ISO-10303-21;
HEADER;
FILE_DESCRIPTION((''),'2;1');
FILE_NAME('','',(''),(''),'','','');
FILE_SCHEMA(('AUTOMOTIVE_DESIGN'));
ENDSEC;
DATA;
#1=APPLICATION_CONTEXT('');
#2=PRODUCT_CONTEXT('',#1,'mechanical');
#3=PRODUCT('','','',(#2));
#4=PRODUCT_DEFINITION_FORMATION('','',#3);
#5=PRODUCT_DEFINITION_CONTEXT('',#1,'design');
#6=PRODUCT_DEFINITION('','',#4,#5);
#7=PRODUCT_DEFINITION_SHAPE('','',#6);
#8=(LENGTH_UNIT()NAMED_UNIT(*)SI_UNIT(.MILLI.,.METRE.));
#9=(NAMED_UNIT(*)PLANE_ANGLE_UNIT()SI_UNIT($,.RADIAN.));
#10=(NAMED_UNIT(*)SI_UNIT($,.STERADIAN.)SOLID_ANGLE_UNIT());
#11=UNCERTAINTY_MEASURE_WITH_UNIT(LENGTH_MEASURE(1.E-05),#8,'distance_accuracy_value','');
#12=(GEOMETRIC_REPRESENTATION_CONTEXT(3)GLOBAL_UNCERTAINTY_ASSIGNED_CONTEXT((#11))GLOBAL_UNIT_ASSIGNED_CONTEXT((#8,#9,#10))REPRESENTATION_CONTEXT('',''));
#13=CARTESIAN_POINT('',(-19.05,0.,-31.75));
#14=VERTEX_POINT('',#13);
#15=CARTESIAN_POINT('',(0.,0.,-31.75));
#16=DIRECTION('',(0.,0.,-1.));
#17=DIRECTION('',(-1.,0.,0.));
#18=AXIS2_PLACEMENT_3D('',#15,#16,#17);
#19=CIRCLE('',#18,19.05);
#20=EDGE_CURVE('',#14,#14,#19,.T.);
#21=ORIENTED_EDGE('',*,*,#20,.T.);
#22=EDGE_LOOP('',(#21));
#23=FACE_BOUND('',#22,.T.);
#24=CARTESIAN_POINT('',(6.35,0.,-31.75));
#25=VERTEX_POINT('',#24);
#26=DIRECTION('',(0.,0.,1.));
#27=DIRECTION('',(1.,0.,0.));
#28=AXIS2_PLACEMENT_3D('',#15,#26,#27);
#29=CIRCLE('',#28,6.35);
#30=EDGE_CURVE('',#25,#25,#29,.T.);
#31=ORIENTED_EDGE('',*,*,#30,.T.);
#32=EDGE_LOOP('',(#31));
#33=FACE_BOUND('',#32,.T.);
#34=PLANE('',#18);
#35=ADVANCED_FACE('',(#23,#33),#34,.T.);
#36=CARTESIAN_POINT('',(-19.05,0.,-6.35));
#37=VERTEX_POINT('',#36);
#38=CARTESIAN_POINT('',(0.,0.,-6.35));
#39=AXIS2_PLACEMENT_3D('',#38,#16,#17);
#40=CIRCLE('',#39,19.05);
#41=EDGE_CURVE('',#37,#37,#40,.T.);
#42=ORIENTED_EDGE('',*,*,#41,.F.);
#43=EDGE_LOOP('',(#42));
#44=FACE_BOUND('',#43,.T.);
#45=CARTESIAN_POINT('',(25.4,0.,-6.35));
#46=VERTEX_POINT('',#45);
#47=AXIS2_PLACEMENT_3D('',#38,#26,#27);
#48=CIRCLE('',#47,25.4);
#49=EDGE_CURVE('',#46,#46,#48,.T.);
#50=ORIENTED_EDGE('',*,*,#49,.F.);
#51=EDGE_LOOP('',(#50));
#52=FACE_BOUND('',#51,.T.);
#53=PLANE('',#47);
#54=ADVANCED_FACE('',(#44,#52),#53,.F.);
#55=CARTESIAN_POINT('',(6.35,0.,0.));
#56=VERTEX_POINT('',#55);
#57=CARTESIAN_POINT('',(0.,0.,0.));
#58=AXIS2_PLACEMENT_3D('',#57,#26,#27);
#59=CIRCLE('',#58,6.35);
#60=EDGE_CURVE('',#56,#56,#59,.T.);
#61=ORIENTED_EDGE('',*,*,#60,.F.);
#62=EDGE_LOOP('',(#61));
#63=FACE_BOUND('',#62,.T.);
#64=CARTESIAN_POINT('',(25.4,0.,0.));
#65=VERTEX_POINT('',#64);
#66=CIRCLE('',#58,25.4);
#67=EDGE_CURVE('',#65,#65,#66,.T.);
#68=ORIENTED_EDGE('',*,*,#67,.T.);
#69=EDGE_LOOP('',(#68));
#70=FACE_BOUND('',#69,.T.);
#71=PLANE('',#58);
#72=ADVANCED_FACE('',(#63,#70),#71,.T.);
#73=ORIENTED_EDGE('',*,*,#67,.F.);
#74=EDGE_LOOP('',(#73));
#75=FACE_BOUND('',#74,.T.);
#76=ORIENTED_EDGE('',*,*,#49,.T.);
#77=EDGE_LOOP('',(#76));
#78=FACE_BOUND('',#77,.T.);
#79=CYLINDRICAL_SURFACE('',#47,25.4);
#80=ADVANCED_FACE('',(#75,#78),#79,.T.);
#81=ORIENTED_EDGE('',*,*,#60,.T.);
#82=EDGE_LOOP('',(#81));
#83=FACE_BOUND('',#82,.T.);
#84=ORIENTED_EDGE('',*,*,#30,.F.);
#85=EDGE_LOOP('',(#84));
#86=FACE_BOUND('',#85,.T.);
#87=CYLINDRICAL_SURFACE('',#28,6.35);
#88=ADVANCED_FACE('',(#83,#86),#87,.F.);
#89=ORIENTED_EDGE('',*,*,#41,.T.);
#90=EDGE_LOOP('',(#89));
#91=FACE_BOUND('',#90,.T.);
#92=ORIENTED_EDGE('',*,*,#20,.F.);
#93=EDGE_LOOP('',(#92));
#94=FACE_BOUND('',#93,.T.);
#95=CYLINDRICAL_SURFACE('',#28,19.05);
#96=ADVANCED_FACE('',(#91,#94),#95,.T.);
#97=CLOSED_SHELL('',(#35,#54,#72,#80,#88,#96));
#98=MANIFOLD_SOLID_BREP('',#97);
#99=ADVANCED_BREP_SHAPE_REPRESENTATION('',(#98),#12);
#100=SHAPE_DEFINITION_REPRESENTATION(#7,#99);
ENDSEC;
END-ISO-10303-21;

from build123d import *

# Parameters (mm, degrees)
SKETCH1_R           = 25.4
BOSS_EXTRUDE2_DEPTH = 6.35
SKETCH2_R           = 19.05
BOSS_EXTRUDE3_DEPTH = 25.4
SKETCH3_R           = 6.35
CUT_EXTRUDE2_DEPTH  = 48.941448664


with BuildPart() as part:
    # Sketch1 → Boss-Extrude2 (new body)
    with BuildSketch(Plane.XY):
        Circle(SKETCH1_R)
    extrude(amount=-BOSS_EXTRUDE2_DEPTH)

    # Sketch2 → Boss-Extrude3 (add)
    with BuildSketch(Plane(origin=(0, 0, -6.35), x_dir=(-1, 0, 0), z_dir=(0, 0, -1))):
        Circle(SKETCH2_R)
    extrude(amount=BOSS_EXTRUDE3_DEPTH)

    # Sketch3 → Cut-Extrude2 (cut, through all)
    with BuildSketch(Plane.XY):
        Circle(SKETCH3_R)
    extrude(amount=-CUT_EXTRUDE2_DEPTH, mode=Mode.SUBTRACT)


solid = part.part
